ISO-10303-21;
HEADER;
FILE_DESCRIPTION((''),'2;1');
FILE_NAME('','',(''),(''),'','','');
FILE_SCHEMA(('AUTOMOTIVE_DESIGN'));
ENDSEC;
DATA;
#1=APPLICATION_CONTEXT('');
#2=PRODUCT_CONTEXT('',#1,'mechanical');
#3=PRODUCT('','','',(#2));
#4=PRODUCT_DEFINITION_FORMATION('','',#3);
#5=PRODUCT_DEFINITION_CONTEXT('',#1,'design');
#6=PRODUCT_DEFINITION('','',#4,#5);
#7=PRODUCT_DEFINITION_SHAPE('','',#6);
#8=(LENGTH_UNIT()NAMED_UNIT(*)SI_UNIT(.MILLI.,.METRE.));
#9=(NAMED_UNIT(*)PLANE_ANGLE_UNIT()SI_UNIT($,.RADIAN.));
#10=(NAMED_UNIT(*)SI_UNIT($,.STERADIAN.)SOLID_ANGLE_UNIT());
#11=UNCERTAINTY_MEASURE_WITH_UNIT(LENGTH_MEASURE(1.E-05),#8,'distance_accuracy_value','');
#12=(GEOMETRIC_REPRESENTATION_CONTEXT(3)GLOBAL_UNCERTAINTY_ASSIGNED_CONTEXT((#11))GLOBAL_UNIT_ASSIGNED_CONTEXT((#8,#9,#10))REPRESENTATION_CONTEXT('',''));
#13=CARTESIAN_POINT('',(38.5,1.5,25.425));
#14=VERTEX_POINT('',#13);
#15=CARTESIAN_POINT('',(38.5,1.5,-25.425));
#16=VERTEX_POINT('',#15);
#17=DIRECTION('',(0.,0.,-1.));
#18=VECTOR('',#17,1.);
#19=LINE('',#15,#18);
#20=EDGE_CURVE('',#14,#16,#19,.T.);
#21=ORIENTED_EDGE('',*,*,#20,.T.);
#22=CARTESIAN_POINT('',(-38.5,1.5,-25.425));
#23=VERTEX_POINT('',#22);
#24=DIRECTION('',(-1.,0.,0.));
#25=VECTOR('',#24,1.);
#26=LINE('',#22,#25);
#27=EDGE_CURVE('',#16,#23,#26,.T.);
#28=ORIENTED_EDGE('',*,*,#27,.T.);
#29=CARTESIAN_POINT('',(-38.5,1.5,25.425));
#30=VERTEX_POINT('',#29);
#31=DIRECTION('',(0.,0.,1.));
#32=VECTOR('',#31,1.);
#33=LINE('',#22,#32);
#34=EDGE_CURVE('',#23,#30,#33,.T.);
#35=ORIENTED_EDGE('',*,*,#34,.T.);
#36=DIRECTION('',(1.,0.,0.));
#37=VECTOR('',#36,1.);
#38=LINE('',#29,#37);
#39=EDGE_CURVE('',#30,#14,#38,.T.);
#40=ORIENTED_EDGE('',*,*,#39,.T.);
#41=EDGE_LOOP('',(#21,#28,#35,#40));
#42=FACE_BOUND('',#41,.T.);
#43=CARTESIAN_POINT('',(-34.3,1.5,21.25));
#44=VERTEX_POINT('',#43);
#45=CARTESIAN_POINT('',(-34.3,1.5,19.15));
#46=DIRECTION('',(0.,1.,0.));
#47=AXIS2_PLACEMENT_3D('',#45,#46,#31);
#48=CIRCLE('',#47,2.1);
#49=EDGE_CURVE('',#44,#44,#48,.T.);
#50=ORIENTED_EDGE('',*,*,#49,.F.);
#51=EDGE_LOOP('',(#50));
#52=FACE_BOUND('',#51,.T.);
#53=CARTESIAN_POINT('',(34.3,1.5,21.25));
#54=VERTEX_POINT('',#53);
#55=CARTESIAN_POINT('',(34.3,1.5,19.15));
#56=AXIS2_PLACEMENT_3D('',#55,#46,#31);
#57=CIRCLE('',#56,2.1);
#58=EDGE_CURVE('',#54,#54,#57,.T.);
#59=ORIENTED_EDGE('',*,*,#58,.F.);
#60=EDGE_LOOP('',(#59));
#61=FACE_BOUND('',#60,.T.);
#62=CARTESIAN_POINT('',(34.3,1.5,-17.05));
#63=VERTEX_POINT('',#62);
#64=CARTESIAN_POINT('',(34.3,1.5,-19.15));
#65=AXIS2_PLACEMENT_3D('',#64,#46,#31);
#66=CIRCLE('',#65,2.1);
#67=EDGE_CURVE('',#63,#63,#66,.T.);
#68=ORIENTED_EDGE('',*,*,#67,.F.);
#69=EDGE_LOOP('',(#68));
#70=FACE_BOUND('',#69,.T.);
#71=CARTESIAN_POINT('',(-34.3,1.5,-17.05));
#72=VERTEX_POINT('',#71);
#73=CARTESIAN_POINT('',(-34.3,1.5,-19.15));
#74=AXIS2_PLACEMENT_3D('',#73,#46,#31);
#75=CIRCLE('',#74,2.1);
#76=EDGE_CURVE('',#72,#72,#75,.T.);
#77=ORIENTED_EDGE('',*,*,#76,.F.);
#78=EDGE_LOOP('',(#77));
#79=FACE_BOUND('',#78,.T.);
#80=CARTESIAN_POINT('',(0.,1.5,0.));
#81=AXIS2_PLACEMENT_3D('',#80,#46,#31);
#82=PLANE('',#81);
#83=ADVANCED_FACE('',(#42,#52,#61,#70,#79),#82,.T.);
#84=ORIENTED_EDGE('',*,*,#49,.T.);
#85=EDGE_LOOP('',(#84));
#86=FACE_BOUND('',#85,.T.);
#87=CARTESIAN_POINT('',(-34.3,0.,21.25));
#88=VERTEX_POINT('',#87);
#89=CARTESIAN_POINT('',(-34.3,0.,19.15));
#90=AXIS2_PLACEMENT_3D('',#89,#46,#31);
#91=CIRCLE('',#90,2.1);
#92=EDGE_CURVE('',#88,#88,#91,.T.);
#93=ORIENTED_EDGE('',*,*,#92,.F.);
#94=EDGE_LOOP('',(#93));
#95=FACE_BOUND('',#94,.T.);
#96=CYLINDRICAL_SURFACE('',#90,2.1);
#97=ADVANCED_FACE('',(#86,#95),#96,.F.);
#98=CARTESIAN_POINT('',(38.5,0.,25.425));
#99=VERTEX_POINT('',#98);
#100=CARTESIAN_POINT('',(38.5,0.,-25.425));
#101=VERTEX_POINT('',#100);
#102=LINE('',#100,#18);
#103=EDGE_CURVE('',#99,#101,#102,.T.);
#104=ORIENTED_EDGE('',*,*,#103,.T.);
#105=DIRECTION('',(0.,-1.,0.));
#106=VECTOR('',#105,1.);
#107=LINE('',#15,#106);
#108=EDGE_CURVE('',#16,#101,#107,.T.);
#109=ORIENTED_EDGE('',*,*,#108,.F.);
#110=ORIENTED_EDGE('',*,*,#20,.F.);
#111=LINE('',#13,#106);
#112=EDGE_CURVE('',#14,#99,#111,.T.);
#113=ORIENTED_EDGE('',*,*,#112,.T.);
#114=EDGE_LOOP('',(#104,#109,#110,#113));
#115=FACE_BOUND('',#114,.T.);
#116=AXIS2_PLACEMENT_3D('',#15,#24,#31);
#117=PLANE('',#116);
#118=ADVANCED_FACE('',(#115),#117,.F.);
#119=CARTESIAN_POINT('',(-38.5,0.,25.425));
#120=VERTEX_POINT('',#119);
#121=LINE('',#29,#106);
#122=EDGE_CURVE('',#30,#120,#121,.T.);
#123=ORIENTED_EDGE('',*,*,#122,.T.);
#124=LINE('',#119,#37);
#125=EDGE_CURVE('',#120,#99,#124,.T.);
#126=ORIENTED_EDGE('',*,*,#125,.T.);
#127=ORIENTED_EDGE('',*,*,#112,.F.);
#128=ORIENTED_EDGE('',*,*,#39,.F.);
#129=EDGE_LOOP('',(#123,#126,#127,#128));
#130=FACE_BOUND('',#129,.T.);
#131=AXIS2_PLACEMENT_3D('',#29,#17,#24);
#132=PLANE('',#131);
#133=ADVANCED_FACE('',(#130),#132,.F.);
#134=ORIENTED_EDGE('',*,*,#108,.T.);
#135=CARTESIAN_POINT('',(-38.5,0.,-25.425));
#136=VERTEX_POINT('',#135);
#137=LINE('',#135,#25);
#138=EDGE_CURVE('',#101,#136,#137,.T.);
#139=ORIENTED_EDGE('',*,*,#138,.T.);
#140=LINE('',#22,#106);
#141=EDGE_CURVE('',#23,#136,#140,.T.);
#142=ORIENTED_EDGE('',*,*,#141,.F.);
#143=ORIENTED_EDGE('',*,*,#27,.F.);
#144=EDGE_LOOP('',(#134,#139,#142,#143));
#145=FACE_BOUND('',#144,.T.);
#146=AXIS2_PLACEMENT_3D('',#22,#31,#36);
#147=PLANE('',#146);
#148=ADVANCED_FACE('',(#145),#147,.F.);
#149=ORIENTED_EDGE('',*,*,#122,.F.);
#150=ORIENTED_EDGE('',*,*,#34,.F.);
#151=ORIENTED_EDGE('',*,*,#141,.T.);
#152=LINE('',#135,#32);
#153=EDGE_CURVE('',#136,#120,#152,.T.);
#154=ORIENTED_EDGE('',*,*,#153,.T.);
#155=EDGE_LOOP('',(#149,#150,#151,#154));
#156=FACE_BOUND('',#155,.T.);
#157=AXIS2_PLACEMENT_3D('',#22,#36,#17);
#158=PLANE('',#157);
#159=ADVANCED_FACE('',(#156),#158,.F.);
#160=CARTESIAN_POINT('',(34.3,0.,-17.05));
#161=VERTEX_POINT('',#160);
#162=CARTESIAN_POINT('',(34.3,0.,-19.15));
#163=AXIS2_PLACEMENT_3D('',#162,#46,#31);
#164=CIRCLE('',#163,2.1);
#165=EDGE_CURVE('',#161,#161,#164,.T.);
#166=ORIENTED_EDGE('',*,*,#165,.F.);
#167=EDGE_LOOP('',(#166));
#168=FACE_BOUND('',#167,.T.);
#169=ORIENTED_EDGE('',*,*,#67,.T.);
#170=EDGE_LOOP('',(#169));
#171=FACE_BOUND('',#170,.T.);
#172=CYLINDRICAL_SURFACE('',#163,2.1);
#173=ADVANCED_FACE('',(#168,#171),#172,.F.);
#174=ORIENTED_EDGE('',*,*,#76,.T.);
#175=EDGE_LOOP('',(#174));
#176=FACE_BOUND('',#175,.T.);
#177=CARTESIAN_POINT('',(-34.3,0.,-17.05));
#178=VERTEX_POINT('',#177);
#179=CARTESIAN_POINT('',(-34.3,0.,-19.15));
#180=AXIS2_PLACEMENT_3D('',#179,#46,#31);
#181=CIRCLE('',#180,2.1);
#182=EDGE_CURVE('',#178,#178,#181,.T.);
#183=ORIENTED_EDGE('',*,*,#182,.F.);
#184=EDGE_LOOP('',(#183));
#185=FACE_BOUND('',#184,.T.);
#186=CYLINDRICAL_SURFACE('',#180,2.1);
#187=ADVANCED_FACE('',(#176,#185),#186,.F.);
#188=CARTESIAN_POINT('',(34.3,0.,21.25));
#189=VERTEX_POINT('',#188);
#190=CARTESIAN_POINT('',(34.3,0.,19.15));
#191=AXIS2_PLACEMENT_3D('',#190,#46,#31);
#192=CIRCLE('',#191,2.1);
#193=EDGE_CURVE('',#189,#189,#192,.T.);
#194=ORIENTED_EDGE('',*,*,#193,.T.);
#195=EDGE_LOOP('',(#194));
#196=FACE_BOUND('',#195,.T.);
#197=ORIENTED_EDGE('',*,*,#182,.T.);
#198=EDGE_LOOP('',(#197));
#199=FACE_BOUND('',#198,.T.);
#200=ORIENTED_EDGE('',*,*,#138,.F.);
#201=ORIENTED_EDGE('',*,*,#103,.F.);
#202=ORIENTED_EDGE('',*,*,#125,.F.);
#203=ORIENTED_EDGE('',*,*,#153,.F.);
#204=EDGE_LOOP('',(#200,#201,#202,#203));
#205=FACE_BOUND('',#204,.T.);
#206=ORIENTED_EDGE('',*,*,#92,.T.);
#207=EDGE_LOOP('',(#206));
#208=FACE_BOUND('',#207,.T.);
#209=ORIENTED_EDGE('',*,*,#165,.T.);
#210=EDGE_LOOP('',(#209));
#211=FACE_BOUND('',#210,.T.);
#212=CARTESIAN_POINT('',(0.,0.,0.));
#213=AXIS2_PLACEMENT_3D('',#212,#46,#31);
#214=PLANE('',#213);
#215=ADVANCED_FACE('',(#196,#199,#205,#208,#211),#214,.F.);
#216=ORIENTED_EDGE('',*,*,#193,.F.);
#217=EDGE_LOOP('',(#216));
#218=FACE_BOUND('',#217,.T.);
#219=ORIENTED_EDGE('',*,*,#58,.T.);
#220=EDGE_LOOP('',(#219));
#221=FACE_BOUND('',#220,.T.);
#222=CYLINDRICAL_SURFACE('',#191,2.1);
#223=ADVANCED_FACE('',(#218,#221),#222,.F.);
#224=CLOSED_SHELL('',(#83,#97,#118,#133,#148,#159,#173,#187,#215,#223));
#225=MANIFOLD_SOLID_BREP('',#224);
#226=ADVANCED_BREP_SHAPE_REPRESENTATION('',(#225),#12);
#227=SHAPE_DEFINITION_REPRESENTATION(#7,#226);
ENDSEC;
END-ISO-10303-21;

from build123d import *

# Parameters (mm, degrees)
CROQUIS1_W              = 77
CROQUIS1_H              = 50.85
SALIENTE_EXTRUIR1_DEPTH = 1.5
CROQUIS2_R              = 2.1
CORTAR_EXTRUIR1_DEPTH   = 47.162004127


with BuildPart() as part:
    # Croquis1 → Saliente-Extruir1 (new body)
    with BuildSketch(Plane(origin=(0, 0, 0), x_dir=(1, 0, 0), z_dir=(0, 1, 0))):
        Rectangle(CROQUIS1_W, CROQUIS1_H)
    extrude(amount=SALIENTE_EXTRUIR1_DEPTH)

    # Croquis2 → Cortar-Extruir1 (cut, through all)
    with BuildSketch(Plane(origin=(0, 1.5, 0), x_dir=(1, 0, 0), z_dir=(0, 1, 0))):
        with Locations(Location((-34.3, 19.15, 0), (0, 0, 270))):
            Circle(CROQUIS2_R)
        with Locations(Location((34.3, 19.15, 0), (0, 0, 270))):
            Circle(CROQUIS2_R)
        with Locations(Location((34.3, -19.15, 0), (0, 0, 270))):
            Circle(CROQUIS2_R)
        with Locations(Location((-34.3, -19.15, 0), (0, 0, 270))):
            Circle(CROQUIS2_R)
    extrude(amount=-CORTAR_EXTRUIR1_DEPTH, mode=Mode.SUBTRACT)


solid = part.part
